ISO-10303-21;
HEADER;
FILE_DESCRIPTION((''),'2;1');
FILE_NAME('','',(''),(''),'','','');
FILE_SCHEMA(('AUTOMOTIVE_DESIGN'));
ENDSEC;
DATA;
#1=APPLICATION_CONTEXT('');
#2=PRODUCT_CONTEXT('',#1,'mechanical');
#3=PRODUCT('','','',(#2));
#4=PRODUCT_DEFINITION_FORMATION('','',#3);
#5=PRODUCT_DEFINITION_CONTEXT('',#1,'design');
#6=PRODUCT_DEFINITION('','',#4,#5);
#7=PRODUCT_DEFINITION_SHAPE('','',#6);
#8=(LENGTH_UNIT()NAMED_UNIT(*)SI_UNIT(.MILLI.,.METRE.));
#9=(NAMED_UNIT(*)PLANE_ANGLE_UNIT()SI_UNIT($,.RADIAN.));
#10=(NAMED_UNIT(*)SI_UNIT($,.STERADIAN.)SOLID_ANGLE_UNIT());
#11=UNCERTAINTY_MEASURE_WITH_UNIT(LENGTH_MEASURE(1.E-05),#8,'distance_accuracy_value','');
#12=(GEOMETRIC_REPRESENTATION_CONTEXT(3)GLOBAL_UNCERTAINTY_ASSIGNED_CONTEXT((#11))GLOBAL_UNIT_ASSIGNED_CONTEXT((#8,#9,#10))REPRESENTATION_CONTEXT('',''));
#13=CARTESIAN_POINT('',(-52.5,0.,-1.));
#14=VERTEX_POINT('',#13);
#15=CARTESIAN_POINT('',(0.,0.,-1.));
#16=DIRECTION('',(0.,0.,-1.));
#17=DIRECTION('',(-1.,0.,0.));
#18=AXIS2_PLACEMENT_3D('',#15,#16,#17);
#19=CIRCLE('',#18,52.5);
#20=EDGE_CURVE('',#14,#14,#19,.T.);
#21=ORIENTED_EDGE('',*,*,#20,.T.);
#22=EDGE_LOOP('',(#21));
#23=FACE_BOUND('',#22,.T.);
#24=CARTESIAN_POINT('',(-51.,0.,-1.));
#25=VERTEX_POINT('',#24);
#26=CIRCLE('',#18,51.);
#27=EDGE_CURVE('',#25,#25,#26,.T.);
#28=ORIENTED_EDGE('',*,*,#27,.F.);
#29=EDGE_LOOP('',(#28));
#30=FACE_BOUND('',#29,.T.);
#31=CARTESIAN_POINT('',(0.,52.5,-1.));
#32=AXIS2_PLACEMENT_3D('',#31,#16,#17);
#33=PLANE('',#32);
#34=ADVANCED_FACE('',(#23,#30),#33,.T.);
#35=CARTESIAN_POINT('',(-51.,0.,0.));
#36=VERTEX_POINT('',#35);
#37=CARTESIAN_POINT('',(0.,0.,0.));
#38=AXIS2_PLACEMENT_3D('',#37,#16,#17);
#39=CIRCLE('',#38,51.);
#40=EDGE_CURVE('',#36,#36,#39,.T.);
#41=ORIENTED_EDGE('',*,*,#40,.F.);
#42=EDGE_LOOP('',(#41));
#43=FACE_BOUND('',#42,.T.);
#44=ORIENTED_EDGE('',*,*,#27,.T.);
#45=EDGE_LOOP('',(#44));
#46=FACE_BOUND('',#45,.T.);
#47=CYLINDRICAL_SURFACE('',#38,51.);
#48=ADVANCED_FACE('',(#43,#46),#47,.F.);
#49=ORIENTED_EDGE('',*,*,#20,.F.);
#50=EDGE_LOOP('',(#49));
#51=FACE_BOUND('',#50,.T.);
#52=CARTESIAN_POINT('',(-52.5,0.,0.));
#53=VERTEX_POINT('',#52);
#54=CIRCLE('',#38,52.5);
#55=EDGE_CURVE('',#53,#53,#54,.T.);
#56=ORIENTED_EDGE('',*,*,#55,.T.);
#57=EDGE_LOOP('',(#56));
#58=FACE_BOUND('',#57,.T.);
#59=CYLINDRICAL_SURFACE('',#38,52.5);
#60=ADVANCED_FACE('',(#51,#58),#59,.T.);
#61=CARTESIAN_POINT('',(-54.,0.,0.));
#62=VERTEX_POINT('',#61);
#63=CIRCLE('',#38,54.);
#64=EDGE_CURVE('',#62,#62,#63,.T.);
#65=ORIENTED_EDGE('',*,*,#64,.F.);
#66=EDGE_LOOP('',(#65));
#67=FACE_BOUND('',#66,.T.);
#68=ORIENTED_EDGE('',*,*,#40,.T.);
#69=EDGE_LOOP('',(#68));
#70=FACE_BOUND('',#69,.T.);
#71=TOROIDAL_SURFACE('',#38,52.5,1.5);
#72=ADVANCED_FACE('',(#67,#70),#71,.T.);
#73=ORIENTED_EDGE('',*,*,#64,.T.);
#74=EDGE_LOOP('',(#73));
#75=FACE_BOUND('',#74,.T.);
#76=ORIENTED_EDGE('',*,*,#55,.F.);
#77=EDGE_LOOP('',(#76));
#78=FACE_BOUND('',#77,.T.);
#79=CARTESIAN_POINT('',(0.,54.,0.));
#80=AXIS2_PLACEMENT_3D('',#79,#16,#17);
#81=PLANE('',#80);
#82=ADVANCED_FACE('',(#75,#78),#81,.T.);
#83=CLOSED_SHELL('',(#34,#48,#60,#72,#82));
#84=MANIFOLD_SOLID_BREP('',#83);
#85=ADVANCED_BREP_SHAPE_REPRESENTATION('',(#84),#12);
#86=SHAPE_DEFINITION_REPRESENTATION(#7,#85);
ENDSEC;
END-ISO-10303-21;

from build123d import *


with BuildPart() as part:
    # Sketch2 → Revolve1 (revolve)
    with BuildSketch(Plane(origin=(0, 0, 0), x_dir=(0, 0, -1), z_dir=(1, 0, 0))):
        with BuildLine():
            Line((0, 54), (0, 52.5))
            Line((0, 52.5), (1, 52.5))
            Line((1, 52.5), (1, 51))
            Line((1, 51), (0, 51))
            ThreePointArc((0, 51), (-1.5, 52.5), (0, 54))
        make_face()
    revolve(axis=Axis((0, 0, 0), (0, 0, 1)))


solid = part.part
